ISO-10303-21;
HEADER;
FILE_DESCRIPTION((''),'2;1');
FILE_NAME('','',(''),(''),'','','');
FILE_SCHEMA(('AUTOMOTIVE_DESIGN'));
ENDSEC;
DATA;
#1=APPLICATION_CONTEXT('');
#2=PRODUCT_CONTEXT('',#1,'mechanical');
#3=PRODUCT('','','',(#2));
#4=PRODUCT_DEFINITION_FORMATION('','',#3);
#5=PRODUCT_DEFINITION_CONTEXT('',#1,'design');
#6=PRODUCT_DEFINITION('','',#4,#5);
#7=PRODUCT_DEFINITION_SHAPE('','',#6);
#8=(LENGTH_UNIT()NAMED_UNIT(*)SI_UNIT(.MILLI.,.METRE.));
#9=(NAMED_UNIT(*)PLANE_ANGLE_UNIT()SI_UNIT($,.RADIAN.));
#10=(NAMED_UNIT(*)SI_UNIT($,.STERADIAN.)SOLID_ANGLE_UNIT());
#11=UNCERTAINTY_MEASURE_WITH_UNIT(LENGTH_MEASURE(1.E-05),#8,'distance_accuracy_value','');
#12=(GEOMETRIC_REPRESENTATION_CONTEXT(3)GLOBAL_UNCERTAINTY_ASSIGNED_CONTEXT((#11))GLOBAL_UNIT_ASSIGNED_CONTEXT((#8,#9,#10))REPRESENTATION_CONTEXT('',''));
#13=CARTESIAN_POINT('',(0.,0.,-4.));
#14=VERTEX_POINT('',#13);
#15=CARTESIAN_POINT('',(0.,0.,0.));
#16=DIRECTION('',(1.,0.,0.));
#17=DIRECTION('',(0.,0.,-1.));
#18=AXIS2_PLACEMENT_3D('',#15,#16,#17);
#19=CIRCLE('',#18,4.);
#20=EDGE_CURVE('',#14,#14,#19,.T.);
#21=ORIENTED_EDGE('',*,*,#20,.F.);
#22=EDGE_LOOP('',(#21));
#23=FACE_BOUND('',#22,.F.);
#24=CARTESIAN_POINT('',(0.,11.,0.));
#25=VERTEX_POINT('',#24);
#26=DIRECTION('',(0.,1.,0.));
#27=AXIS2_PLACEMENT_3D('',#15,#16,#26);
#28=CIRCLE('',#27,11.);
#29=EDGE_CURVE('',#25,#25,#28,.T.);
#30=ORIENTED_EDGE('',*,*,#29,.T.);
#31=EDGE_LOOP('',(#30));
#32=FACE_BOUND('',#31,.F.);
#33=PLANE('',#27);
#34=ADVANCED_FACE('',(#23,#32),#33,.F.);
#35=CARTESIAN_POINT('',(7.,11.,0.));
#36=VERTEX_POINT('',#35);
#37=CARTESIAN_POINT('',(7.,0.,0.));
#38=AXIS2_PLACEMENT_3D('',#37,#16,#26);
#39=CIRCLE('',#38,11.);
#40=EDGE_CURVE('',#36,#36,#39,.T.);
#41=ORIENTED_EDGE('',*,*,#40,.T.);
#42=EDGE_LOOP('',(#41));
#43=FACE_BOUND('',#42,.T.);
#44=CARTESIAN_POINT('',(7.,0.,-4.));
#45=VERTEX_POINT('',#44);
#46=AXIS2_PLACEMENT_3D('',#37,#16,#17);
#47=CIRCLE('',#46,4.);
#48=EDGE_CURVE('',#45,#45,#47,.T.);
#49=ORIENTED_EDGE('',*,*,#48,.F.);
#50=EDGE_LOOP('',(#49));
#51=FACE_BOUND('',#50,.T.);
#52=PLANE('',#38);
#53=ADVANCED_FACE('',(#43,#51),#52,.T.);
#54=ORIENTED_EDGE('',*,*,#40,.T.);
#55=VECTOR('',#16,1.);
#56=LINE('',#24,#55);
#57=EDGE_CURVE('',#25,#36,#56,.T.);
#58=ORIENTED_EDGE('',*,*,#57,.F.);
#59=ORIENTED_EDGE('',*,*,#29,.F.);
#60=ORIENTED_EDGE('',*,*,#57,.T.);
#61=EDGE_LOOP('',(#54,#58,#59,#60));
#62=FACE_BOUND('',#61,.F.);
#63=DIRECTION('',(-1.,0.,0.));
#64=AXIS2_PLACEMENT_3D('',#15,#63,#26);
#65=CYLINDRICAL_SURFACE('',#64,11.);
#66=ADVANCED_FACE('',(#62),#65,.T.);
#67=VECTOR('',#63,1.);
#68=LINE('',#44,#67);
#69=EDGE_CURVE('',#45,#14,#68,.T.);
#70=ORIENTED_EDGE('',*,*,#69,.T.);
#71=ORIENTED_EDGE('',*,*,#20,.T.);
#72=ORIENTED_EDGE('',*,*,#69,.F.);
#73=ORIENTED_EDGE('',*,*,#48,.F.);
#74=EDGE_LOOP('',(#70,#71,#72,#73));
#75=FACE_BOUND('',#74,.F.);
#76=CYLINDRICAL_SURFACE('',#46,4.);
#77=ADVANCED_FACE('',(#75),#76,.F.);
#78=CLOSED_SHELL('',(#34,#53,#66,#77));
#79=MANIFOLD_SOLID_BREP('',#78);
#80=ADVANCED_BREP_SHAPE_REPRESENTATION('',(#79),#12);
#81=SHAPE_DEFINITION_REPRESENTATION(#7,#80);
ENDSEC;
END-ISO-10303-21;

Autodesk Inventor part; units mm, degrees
ref_plane "YZ Plane" through (0, 0, 0) normal (1, 0, 0) x (0, 1, 0)
ref_plane "XZ Plane" through (0, 0, 0) normal (0, 1, 0) x (-1, 0, 0)
sketch "Skizze1" plane through (0, 0, 0) normal (1, 0, 0) x (0, 1, 0)
  circle A0 centre (0, 0) radius 11
  dimension "d0" = 22
extrude "Extrusion1" add sketch "Skizze1" along normal blind 7
sketch "Skizze2" plane through (7, 0, 0) normal (1, 0, 0) x (0, 0, -1)
  circle A0 centre (0, 0) radius 4
  dimension "d3" = 8
extrude "Extrusion2" cut sketch "Skizze2" against normal through all
ref_plane "Arbeitsebene1" through (0, 0, 0) normal (0, 0, 1) x (1, 0, 0)
properties part number "Kugellager"
